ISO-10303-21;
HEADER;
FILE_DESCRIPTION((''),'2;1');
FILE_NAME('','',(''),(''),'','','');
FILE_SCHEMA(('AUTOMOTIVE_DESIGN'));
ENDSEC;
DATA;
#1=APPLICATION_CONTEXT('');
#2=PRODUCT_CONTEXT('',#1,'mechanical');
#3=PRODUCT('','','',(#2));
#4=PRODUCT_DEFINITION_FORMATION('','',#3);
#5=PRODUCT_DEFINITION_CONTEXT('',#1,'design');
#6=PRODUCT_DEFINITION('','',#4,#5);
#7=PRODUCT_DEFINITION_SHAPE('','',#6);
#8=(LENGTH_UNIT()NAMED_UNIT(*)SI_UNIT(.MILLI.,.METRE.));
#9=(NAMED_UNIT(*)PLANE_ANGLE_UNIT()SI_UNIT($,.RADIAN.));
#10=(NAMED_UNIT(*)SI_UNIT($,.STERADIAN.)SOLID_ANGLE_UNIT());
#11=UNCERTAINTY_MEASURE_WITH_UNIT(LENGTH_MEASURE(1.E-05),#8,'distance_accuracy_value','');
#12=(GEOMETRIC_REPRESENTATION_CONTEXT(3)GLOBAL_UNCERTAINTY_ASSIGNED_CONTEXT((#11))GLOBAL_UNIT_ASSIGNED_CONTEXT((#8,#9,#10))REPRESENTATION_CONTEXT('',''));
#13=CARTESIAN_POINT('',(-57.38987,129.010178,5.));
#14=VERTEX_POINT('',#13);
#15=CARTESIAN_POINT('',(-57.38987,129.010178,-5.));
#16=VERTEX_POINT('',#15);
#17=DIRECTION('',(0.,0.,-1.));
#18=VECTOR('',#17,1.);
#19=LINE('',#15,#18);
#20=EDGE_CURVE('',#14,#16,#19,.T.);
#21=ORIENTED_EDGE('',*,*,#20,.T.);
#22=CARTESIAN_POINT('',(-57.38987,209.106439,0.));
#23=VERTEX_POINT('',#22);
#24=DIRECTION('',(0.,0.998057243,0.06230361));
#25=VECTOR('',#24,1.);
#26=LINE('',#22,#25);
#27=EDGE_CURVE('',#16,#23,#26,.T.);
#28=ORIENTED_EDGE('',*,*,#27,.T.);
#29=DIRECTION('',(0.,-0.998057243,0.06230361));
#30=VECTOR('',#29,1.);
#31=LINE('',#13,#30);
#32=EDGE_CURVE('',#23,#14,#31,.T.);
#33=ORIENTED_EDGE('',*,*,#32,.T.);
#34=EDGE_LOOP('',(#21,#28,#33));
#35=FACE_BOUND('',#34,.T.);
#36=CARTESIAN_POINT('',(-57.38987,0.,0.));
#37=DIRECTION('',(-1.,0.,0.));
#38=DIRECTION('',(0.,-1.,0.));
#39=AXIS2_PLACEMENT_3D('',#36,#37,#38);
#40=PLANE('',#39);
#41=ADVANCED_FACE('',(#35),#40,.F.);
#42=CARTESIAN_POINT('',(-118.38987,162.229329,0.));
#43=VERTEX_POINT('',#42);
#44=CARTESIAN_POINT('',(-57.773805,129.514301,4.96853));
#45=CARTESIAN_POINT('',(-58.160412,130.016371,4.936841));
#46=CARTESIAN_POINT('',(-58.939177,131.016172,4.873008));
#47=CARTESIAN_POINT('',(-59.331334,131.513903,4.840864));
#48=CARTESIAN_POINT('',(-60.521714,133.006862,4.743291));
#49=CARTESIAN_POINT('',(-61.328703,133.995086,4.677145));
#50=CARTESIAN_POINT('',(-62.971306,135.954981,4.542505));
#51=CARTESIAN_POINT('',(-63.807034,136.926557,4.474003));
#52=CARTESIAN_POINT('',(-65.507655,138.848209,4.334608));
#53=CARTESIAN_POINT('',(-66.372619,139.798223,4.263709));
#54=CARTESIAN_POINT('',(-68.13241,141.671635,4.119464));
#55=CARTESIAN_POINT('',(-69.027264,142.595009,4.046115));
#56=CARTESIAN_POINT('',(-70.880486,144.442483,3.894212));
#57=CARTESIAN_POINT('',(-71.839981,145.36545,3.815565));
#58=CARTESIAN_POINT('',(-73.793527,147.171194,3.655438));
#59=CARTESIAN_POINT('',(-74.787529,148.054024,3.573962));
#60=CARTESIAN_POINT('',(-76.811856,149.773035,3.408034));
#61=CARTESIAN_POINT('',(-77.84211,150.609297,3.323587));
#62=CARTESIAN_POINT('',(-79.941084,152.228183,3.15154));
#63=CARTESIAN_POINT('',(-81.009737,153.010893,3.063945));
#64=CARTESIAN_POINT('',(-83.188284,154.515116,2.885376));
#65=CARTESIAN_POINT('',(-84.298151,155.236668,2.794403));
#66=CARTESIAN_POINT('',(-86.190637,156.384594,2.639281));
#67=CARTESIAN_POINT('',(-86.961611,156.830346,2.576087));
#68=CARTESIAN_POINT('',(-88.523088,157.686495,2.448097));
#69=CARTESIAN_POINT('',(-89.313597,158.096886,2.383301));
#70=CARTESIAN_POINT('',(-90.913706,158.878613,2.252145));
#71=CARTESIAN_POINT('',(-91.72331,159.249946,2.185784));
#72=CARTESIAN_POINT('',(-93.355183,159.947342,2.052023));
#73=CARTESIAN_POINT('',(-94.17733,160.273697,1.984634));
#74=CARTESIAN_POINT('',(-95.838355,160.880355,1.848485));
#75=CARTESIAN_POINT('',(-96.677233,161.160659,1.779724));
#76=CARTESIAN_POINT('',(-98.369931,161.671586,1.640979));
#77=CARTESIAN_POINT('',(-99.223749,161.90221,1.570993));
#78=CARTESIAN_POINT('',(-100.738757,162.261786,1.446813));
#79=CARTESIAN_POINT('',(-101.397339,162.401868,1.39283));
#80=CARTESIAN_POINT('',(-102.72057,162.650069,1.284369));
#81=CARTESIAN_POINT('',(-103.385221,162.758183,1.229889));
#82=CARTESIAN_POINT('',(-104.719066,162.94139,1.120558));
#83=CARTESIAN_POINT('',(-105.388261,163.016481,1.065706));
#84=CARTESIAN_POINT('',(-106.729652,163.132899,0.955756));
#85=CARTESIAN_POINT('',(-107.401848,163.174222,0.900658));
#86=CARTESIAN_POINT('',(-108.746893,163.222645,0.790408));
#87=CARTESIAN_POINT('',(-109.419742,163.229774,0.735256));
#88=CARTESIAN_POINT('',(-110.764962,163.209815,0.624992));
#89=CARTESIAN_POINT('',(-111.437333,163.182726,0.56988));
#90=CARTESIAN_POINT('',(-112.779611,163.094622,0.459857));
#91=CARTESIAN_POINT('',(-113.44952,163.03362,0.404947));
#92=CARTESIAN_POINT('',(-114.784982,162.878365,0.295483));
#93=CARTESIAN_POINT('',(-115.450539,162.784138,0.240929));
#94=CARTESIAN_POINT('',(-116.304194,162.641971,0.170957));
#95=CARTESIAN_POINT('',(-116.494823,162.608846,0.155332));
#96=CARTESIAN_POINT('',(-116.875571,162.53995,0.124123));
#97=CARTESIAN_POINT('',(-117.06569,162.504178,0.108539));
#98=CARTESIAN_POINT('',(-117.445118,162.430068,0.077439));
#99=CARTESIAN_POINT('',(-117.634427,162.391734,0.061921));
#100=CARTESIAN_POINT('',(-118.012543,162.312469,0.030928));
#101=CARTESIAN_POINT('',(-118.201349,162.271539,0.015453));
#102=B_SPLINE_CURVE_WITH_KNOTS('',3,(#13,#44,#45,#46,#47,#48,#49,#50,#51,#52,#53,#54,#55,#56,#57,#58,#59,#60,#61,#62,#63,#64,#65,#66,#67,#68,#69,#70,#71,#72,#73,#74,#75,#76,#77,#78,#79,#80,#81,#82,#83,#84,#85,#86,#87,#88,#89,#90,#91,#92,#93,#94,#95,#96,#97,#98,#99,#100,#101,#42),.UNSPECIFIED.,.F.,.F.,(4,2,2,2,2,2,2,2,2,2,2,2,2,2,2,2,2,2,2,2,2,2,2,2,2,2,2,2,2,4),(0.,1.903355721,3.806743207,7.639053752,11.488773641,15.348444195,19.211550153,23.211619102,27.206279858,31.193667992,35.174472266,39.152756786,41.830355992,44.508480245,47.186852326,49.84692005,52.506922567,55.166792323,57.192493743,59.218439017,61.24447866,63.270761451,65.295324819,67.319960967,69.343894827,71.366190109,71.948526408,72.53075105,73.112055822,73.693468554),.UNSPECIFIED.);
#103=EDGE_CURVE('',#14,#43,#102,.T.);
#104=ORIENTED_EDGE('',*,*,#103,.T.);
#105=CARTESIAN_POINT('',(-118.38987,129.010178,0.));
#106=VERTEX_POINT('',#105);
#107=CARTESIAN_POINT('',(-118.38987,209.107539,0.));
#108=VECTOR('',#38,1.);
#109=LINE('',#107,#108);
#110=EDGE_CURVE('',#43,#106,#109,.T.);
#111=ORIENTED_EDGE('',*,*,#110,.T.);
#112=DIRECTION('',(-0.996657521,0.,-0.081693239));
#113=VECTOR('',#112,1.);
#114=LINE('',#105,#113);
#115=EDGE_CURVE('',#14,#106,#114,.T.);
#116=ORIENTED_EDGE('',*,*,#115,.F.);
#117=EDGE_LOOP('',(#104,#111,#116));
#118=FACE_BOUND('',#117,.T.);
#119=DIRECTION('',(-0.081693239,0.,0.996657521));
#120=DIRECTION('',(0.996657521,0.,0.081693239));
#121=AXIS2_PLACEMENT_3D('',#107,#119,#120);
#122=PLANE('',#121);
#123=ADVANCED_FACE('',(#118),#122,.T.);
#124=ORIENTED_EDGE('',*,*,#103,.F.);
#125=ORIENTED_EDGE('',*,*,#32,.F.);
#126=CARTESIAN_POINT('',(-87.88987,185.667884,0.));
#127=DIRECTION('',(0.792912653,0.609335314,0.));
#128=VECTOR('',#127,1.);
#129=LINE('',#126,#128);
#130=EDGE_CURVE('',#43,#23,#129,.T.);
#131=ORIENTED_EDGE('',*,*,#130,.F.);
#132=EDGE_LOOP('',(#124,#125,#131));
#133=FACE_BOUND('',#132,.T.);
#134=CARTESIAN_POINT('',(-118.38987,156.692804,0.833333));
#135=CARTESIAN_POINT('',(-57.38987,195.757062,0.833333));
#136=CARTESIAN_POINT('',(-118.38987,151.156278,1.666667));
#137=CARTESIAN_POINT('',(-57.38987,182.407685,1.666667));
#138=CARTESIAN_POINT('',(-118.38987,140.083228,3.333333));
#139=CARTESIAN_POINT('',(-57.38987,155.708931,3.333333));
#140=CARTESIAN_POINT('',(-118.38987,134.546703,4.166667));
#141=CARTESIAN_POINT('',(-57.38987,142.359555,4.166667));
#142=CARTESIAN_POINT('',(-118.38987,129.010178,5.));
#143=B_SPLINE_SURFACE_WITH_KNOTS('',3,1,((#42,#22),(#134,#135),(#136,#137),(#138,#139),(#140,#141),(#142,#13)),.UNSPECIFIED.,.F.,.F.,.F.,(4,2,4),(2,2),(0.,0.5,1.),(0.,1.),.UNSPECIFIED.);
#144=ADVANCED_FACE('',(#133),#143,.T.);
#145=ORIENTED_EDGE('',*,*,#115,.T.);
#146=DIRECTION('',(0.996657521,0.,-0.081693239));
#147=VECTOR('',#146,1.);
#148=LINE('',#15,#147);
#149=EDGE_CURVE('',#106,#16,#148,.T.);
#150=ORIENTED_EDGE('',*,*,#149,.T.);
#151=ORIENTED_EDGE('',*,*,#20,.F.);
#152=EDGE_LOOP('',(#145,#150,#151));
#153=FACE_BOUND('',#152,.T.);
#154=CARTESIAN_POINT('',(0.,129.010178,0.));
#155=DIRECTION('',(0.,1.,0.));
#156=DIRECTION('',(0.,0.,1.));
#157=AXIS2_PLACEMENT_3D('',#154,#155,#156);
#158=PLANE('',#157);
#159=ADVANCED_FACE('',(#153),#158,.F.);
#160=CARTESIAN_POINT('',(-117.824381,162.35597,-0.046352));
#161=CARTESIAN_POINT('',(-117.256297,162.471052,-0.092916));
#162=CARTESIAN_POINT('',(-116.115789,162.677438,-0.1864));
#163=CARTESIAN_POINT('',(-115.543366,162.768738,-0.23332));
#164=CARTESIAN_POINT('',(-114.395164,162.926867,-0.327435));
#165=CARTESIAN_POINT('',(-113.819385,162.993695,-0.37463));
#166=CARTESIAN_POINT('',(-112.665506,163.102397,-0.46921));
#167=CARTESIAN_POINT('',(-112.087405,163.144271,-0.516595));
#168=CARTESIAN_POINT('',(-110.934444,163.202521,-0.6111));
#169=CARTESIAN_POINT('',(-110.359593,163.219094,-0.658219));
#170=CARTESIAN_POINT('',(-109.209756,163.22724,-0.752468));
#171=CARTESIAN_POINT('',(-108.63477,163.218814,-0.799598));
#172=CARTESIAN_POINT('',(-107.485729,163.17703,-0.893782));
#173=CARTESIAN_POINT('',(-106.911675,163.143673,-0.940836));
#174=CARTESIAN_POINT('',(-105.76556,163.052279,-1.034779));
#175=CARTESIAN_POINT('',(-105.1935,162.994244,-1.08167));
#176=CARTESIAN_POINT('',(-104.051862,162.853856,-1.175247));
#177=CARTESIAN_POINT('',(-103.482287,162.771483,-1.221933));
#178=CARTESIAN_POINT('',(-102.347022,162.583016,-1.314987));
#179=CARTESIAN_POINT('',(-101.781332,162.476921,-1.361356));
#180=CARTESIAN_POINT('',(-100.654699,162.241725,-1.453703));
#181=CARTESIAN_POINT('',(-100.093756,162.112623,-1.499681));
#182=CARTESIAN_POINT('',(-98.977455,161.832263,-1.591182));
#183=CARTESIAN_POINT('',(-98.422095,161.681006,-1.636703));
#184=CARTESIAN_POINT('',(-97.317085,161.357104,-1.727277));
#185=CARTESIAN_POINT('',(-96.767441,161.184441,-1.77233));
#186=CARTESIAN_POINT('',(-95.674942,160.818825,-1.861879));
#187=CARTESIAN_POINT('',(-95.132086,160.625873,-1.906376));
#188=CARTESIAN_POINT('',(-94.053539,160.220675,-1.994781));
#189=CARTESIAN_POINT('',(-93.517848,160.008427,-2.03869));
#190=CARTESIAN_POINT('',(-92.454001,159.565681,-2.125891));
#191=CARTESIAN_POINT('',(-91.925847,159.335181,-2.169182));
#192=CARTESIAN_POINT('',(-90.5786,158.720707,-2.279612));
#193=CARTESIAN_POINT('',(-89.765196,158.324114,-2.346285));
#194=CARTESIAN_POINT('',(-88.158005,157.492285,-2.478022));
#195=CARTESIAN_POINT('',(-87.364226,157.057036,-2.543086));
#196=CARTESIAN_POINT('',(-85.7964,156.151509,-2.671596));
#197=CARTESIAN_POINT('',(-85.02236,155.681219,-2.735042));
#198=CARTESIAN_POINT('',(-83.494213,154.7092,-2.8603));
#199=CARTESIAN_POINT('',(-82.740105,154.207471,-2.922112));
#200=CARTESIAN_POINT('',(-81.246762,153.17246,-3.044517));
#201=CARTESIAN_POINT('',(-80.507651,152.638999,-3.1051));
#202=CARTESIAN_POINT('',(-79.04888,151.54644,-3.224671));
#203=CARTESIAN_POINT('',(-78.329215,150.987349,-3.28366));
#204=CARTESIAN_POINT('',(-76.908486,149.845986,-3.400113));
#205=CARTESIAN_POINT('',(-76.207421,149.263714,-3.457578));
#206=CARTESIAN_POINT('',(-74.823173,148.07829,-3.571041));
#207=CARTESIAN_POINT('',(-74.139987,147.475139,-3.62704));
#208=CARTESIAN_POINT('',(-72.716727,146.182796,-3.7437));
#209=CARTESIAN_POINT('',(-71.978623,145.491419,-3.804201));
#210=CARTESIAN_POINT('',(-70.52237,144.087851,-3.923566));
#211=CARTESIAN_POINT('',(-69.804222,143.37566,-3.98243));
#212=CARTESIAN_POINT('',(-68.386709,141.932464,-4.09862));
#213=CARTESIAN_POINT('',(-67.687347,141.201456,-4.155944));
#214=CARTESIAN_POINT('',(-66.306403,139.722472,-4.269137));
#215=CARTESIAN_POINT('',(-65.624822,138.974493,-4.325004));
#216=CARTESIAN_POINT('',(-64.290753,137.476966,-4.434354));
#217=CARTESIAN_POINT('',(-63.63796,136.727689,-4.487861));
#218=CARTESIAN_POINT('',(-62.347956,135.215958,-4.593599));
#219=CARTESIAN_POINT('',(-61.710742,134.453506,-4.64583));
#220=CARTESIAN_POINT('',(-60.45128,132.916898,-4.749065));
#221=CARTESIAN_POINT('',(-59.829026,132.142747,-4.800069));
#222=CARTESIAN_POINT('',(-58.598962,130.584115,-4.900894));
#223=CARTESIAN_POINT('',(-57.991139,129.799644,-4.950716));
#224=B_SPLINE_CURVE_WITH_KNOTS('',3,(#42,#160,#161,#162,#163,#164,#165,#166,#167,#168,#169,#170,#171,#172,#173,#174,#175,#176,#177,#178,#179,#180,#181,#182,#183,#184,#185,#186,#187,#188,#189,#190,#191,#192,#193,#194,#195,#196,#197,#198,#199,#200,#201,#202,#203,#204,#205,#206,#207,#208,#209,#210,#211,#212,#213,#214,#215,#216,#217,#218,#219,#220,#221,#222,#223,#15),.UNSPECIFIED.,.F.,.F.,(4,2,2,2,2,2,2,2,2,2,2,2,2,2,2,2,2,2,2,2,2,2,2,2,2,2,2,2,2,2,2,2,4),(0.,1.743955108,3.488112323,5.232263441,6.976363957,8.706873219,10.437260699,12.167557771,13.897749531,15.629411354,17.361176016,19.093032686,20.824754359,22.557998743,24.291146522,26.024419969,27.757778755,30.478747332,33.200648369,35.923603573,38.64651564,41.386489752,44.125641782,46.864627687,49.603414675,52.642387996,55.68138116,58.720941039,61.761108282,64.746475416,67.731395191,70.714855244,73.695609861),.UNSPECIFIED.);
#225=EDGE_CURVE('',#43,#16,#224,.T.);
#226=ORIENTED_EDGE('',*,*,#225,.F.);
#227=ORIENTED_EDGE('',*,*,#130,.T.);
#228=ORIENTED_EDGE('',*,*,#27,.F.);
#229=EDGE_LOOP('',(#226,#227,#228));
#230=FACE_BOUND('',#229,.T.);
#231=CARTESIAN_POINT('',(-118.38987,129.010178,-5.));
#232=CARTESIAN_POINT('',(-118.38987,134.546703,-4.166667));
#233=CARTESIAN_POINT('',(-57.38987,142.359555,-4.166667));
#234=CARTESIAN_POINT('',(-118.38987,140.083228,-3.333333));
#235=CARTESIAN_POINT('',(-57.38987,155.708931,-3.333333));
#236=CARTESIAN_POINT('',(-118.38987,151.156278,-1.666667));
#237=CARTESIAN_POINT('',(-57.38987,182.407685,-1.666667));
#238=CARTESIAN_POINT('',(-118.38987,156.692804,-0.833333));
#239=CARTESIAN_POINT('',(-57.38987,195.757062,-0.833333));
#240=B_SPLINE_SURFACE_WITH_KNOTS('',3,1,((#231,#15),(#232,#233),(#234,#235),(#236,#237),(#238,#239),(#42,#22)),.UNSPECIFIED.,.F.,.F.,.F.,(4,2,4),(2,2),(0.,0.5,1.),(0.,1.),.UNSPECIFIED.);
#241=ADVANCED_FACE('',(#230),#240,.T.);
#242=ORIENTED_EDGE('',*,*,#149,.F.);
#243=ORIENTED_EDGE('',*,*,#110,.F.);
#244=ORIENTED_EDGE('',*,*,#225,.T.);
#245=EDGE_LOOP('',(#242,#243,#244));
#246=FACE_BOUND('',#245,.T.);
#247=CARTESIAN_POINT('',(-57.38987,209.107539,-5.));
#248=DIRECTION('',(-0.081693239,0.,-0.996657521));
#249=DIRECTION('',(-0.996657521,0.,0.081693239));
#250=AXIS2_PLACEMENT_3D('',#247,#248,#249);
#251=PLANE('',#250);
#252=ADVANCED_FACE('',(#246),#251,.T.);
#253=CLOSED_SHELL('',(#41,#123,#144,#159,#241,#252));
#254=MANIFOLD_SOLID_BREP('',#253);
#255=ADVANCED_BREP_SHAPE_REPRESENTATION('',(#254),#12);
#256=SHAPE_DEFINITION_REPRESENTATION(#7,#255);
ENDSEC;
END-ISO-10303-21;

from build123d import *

# Parameters (mm, degrees)
SKETCH12_OUTSIDE_W = 83.236
SKETCH12_OUTSIDE_H = 32.236
CUT_EXTRUDE2_DEPTH = 64.470558


with BuildPart() as part:
    # Sketch11 → Loft1 section 0
    with BuildSketch(Plane(origin=(-118.389869674, 0, 0), x_dir=(0, 0, -1), z_dir=(1, 0, 0))):
        with BuildLine():
            Line((-5, 129.010177568), (0, 162.229328702))
            Line((0, 162.229328702), (5, 129.010177568))
            Line((5, 129.010177568), (-5, 129.010177568))
        make_face()
    # Sketch10 → Loft1 section 1
    with BuildSketch(Plane(origin=(-57.389869674, 0, 0), x_dir=(0, 0, -1), z_dir=(1, 0, 0))):
        with BuildLine():
            Line((-5, 129.010177568), (0, 209.106439296))
            Line((0, 209.106439296), (5, 129.010177568))
            Line((5, 129.010177568), (-5, 129.010177568))
        make_face()
    loft()

    # Sketch12 outside → Cut-Extrude2 (cut)
    with BuildSketch(Plane.XZ.offset(-129.010177568)):
        with Locations((-87.89, 0)):
            Rectangle(SKETCH12_OUTSIDE_W, SKETCH12_OUTSIDE_H)
        Polygon((-57.389869674, -5), (-118.389869674, 0), (-57.389869674, 5), align=None, mode=Mode.SUBTRACT)
    extrude(amount=-CUT_EXTRUDE2_DEPTH, mode=Mode.SUBTRACT)


solid = part.part
